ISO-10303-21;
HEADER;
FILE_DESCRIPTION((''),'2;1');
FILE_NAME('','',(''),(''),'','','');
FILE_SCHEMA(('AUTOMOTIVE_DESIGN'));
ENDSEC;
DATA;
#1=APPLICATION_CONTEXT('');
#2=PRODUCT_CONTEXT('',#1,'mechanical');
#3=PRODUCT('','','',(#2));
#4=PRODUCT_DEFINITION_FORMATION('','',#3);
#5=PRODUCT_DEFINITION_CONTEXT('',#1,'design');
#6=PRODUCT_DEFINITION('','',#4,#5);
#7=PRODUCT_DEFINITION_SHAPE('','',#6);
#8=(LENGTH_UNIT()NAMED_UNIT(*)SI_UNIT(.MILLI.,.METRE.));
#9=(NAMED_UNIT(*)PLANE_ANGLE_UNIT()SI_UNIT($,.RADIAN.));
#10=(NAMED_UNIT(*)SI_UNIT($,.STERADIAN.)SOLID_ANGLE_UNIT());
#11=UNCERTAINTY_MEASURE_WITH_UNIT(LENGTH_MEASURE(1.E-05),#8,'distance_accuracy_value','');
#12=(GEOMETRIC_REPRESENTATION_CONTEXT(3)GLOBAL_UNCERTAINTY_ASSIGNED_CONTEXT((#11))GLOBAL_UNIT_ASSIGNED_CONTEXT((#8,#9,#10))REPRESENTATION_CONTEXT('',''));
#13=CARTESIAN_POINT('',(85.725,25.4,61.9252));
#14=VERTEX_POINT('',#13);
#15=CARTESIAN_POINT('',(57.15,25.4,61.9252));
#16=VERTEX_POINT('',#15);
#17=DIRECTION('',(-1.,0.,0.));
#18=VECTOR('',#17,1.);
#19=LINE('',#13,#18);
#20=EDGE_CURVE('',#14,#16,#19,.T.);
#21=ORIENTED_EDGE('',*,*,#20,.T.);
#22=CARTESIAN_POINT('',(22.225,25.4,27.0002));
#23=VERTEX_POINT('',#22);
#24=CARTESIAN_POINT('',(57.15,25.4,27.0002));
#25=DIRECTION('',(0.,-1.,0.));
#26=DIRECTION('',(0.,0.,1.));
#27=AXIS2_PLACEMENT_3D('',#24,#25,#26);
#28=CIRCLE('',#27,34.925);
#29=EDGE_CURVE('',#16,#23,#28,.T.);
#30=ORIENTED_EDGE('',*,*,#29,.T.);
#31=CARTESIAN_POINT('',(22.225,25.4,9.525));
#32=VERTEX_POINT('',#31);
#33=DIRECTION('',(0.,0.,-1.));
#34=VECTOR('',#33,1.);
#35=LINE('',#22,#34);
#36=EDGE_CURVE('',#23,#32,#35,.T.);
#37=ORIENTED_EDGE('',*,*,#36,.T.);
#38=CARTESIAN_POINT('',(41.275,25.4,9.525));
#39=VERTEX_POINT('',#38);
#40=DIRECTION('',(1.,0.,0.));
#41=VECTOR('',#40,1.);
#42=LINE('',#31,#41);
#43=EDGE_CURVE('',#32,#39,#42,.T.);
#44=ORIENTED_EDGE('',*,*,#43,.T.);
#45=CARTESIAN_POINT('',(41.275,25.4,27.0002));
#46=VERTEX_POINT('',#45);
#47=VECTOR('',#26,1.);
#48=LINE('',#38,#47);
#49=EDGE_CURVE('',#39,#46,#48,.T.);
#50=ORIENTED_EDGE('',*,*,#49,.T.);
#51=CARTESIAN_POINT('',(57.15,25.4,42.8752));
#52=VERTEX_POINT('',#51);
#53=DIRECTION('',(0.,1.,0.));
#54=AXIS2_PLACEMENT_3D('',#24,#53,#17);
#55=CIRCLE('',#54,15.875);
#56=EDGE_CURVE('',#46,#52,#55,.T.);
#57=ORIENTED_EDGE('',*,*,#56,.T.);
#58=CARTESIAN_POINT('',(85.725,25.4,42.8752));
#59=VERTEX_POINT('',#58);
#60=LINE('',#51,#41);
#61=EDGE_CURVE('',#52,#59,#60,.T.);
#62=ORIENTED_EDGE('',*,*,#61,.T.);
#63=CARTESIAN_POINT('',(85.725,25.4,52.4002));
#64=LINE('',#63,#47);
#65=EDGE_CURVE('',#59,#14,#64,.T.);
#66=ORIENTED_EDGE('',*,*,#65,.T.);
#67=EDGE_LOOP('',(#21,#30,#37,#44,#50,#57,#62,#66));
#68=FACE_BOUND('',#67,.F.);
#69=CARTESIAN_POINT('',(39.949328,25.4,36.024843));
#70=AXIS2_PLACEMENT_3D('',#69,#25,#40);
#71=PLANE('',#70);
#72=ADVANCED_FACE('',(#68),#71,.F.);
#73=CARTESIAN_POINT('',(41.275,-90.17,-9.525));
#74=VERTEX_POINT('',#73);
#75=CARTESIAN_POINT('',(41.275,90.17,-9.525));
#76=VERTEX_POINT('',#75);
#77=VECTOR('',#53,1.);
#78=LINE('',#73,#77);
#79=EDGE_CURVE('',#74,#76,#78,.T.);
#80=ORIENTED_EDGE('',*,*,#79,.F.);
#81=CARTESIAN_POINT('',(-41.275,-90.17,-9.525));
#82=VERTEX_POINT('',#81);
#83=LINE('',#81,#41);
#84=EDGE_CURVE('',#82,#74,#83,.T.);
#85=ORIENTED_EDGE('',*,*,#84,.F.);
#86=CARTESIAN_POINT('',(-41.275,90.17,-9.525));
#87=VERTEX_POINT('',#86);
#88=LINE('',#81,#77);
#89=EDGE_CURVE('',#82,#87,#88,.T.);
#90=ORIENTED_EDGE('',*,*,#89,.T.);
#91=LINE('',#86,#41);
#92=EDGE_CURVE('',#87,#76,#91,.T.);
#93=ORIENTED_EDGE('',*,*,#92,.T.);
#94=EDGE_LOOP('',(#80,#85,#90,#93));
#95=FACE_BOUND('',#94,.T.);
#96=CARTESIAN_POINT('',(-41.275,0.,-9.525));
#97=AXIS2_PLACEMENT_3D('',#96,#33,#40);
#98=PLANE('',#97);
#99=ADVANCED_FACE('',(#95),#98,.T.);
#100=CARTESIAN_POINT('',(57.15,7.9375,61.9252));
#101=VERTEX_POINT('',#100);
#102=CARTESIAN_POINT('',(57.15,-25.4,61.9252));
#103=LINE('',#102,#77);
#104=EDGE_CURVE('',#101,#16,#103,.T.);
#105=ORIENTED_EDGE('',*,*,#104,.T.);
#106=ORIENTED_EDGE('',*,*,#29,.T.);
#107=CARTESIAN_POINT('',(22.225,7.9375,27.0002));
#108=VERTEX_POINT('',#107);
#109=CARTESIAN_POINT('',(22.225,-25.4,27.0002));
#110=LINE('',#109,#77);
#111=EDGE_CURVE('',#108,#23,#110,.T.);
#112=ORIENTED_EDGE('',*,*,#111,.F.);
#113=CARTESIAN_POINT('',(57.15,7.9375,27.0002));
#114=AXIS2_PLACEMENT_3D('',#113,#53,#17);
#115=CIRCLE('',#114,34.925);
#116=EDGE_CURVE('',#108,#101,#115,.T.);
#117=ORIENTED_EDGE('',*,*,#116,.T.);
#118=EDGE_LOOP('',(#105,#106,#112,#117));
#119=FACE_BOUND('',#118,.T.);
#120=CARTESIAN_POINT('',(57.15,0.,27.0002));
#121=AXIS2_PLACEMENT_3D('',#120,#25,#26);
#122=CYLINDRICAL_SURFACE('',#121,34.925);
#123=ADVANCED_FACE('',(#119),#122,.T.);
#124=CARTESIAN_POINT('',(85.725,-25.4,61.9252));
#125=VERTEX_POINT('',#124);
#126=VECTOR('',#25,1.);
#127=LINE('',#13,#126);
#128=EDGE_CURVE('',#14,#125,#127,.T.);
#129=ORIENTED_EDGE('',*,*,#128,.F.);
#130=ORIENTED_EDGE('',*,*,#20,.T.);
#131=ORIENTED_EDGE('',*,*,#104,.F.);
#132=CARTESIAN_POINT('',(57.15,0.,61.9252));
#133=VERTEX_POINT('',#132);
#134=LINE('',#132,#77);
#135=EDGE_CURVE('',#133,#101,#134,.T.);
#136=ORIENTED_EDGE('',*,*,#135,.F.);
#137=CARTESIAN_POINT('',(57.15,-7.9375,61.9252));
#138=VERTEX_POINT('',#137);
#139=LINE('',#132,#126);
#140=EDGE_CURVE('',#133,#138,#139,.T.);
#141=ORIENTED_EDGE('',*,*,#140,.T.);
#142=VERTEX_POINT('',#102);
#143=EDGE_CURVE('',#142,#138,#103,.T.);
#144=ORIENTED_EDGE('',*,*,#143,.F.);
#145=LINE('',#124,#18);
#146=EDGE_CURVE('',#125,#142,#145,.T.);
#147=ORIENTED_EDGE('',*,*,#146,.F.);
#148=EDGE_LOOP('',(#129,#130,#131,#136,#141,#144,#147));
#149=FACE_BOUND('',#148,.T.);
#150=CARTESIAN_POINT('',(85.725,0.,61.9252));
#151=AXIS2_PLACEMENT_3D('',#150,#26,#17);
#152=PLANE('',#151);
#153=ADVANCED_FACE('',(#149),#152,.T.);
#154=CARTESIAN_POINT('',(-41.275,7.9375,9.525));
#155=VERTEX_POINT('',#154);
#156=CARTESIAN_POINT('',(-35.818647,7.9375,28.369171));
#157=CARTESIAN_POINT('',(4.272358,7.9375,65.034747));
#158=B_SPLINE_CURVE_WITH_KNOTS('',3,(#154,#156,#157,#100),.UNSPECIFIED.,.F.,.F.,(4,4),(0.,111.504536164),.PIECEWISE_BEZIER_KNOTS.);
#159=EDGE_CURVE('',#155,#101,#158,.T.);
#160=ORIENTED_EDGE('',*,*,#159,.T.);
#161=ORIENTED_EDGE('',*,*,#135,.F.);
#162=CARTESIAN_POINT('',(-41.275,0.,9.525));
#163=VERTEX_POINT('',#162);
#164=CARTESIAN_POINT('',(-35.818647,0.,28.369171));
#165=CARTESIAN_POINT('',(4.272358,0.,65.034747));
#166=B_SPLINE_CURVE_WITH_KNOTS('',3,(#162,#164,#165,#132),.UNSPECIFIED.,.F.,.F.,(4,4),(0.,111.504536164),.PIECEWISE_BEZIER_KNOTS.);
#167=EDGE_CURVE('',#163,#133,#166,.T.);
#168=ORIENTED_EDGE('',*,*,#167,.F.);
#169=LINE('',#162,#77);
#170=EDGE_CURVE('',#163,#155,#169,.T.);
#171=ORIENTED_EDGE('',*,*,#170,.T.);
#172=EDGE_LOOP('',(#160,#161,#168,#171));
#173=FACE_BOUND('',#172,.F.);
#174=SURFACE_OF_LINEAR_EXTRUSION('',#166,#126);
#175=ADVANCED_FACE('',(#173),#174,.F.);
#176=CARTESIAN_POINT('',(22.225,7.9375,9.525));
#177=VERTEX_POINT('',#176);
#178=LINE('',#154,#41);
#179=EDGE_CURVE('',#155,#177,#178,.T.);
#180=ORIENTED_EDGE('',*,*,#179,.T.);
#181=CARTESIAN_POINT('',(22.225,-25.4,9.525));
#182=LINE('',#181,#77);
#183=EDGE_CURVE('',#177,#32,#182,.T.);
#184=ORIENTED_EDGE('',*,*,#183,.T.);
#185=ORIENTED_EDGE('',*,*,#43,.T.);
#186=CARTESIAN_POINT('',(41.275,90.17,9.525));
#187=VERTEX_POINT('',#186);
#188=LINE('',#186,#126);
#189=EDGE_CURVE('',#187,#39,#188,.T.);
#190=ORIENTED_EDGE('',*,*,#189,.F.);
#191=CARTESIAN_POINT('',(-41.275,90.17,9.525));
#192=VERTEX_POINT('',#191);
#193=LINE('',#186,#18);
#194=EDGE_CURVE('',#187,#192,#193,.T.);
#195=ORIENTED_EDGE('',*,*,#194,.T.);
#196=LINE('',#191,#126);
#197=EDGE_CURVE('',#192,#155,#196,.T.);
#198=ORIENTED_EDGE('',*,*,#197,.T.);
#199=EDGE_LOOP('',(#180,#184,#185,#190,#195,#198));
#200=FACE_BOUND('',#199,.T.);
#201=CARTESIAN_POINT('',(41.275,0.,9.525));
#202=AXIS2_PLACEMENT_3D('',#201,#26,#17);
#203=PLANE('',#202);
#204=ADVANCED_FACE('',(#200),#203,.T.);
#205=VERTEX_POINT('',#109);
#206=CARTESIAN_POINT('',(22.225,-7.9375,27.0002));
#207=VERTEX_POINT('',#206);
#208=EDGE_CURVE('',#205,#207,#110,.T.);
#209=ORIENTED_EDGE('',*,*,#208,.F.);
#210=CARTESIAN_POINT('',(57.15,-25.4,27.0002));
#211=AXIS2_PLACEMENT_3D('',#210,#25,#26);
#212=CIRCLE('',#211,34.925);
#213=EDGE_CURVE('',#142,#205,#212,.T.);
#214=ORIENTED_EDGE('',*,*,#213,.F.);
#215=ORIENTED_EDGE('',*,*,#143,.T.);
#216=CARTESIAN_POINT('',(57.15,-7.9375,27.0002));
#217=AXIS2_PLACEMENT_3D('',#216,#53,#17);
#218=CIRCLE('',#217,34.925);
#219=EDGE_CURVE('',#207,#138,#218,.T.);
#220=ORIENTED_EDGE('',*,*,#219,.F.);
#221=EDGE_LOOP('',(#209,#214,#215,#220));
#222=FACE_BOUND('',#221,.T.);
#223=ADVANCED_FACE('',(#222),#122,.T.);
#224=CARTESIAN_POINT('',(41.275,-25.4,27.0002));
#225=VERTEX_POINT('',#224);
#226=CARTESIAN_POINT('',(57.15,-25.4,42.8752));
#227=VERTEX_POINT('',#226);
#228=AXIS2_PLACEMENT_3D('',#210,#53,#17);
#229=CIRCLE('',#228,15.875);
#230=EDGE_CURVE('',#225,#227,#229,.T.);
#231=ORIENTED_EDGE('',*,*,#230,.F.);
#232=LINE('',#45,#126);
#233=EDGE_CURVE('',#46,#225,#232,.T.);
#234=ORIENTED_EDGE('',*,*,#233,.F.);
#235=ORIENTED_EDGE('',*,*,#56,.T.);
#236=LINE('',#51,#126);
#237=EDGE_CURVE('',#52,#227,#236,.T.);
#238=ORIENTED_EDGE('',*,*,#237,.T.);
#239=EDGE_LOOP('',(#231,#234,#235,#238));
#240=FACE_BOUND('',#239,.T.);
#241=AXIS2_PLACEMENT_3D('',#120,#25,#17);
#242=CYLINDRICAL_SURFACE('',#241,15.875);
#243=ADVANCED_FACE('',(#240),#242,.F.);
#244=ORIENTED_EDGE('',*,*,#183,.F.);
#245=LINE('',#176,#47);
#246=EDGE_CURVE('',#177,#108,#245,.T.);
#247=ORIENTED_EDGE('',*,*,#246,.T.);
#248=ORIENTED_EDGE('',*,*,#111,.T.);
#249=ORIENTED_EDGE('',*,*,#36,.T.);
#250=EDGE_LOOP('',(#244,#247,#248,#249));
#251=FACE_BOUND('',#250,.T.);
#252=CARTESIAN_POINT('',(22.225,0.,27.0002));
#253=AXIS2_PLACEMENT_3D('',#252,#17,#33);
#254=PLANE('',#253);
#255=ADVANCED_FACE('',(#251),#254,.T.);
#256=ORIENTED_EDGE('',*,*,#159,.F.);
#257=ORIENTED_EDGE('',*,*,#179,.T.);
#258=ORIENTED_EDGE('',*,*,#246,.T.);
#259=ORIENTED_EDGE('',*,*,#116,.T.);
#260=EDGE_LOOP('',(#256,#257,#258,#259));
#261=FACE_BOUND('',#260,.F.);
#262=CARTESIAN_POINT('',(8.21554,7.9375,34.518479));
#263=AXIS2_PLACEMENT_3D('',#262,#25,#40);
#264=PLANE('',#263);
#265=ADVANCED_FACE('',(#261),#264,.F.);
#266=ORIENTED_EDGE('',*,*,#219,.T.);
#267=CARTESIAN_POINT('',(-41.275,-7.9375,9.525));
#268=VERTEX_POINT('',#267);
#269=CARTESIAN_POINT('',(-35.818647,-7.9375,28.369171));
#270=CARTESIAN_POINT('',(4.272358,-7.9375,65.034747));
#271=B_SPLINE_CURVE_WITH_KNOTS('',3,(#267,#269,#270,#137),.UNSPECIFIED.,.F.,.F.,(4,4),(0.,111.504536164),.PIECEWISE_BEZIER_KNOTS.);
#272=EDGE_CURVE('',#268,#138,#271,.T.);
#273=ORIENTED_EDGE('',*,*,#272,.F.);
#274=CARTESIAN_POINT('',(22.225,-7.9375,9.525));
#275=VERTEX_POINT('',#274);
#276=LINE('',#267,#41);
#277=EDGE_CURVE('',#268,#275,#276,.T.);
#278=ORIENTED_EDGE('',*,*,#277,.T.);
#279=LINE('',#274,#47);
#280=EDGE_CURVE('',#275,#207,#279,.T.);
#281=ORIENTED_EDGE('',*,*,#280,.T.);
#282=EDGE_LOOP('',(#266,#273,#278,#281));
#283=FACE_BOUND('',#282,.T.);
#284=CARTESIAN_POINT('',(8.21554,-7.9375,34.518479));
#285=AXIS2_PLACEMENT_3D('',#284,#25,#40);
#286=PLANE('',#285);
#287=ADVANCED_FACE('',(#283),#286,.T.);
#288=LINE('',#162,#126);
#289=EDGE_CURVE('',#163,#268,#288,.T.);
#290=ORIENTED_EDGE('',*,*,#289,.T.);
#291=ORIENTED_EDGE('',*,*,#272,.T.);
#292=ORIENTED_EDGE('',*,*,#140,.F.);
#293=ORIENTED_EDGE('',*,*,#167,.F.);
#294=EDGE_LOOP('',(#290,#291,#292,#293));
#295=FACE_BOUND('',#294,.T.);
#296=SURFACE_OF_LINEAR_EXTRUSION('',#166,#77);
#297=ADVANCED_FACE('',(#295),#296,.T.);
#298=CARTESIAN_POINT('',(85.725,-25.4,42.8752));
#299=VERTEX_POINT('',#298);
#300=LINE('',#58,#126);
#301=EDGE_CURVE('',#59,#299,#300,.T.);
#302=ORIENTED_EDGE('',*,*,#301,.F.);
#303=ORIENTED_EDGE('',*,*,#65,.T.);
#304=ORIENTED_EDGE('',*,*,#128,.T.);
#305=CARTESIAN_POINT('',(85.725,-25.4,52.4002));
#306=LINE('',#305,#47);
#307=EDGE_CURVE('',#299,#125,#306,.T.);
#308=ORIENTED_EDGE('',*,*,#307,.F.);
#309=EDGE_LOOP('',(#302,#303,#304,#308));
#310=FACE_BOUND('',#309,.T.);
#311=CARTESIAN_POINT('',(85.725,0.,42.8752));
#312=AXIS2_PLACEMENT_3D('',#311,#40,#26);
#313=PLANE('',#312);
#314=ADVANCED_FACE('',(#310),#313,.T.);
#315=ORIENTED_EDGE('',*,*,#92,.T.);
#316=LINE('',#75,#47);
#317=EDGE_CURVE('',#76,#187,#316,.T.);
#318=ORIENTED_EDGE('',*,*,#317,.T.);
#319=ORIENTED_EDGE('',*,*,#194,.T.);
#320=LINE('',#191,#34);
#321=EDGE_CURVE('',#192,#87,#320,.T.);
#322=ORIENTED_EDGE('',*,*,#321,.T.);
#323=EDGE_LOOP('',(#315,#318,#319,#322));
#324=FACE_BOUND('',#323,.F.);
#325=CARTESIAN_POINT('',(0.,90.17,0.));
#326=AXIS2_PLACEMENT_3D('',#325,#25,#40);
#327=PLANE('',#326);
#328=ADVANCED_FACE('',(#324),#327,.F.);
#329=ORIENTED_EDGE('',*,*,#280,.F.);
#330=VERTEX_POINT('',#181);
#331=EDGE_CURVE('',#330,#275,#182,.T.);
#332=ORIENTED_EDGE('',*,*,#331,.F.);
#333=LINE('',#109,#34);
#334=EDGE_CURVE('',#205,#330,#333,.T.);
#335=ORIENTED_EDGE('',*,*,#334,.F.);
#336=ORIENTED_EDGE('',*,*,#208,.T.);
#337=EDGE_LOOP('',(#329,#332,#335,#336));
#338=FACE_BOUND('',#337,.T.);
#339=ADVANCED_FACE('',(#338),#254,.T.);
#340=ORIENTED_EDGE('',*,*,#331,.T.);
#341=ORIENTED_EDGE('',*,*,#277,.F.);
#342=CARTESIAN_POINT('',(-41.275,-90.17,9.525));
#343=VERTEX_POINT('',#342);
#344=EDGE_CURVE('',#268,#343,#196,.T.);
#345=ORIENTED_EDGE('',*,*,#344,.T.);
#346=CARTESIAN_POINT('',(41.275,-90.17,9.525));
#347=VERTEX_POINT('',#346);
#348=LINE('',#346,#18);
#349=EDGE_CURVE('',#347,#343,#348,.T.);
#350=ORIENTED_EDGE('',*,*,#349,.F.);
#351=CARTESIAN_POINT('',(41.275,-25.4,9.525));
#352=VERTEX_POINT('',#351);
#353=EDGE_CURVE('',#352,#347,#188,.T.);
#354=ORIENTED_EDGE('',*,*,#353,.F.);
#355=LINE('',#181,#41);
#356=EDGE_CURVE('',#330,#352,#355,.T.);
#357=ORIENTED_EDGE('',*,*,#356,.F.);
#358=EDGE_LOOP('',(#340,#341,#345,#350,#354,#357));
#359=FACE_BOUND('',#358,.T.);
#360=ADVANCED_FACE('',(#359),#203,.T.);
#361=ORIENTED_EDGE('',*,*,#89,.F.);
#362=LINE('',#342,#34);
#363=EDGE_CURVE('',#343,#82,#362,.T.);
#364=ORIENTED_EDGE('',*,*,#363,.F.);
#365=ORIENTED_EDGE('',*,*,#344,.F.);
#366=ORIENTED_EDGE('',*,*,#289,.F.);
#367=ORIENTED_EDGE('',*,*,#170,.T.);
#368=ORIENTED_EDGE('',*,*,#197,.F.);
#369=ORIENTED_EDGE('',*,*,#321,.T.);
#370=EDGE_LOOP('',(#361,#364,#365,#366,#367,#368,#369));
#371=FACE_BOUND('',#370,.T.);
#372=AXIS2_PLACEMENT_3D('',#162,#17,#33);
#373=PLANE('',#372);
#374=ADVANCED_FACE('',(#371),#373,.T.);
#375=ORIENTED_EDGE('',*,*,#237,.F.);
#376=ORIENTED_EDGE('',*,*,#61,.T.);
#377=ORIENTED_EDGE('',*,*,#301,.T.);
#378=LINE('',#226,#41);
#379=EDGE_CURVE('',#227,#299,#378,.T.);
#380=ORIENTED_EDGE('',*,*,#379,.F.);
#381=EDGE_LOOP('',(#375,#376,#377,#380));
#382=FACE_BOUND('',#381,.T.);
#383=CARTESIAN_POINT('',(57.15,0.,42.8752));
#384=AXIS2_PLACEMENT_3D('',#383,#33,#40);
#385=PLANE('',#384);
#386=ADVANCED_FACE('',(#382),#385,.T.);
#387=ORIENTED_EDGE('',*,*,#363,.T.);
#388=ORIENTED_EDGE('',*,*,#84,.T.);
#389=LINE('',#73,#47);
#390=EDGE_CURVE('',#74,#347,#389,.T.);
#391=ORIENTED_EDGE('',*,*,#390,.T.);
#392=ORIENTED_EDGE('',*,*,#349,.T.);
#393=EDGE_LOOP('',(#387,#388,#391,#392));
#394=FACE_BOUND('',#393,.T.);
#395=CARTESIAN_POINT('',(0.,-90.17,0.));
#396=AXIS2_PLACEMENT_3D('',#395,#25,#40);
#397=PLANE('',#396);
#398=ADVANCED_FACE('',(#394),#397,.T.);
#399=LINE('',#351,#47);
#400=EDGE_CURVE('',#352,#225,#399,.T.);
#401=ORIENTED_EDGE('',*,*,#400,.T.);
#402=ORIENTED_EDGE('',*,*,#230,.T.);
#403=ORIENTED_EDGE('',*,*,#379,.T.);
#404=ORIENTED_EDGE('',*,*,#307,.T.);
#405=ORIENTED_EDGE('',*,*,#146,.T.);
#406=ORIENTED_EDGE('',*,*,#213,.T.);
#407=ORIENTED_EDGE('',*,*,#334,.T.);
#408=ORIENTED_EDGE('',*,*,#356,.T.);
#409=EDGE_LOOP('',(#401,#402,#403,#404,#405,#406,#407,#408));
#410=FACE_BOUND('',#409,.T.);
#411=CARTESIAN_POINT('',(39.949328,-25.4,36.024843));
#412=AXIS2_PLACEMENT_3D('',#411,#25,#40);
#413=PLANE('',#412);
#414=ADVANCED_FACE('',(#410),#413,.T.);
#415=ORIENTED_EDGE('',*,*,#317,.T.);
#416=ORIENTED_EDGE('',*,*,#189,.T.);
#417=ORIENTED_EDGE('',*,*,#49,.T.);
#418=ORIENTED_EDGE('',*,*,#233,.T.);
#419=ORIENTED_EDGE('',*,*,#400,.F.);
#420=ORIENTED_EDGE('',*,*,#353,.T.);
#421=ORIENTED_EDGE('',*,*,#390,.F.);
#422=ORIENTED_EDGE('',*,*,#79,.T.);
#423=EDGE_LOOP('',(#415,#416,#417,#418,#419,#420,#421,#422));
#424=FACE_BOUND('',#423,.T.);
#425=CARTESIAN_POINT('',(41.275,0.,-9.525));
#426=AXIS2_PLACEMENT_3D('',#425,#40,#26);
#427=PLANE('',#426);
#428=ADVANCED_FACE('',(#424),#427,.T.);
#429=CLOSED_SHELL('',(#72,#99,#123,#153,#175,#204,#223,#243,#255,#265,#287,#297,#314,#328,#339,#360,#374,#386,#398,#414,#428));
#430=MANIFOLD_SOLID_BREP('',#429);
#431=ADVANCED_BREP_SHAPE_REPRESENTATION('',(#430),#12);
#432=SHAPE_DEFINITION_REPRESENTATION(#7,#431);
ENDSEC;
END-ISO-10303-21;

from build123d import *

# Parameters (mm, degrees)
F1_DEPTH = 90.17
F0_W     = 25.4
F0_H     = 19.05
F2_DEPTH = 25.4
F3_DEPTH = 7.9375


with BuildPart() as f1:
    # F0 (on Front) → F1 (new body, symmetric)
    with BuildSketch(Plane.XZ):
        Polygon((41.275, -9.525), (41.275, 9.525), (22.225, 9.525), (-41.275, 9.525), (-41.275, -9.525), align=None)
    extrude(amount=F1_DEPTH, both=True)

    # F0 (on Front) → F2 (join, symmetric)
    with BuildSketch(Plane.XZ):
        with BuildLine():
            Line((22.225, 9.525), (41.275, 9.525))
            Line((41.275, 9.525), (41.275, 27.0002))
            ThreePointArc((41.275, 27.0002), (45.9246798487, 38.2255201513), (57.15, 42.8752))
            Line((57.15, 42.8752), (60.325, 42.8752))
            Line((60.325, 42.8752), (60.325, 61.9252))
            Line((60.325, 61.9252), (57.15, 61.9252))
            ThreePointArc((57.15, 61.9252), (32.4542956671, 51.6959043329), (22.225, 27.0002))
            Line((22.225, 27.0002), (22.225, 9.525))
        make_face()
        with Locations((73.025, 52.4002)):
            Rectangle(F0_W, F0_H)
    extrude(amount=F2_DEPTH, both=True)

    # F0 (on Front) → F3 (join, symmetric)
    with BuildSketch(Plane.XZ):
        with BuildLine():
            Line((-41.275, 9.525), (22.225, 9.525))
            Line((22.225, 9.525), (22.225, 27.0002))
            ThreePointArc((22.225, 27.0002), (32.4542956671, 51.6959043329), (57.15, 61.9252))
            add(Edge.make_bspline(
                [(-41.275, 9.525), (-35.8186467643, 28.3691705971), (4.2723575607, 65.0347471237), (57.15, 61.9252)],
                knots=[0, 0, 0, 0, 111.5045361635, 111.5045361635, 111.5045361635, 111.5045361635], degree=3))
        make_face()
    extrude(amount=F3_DEPTH, both=True)


solid = f1.part
